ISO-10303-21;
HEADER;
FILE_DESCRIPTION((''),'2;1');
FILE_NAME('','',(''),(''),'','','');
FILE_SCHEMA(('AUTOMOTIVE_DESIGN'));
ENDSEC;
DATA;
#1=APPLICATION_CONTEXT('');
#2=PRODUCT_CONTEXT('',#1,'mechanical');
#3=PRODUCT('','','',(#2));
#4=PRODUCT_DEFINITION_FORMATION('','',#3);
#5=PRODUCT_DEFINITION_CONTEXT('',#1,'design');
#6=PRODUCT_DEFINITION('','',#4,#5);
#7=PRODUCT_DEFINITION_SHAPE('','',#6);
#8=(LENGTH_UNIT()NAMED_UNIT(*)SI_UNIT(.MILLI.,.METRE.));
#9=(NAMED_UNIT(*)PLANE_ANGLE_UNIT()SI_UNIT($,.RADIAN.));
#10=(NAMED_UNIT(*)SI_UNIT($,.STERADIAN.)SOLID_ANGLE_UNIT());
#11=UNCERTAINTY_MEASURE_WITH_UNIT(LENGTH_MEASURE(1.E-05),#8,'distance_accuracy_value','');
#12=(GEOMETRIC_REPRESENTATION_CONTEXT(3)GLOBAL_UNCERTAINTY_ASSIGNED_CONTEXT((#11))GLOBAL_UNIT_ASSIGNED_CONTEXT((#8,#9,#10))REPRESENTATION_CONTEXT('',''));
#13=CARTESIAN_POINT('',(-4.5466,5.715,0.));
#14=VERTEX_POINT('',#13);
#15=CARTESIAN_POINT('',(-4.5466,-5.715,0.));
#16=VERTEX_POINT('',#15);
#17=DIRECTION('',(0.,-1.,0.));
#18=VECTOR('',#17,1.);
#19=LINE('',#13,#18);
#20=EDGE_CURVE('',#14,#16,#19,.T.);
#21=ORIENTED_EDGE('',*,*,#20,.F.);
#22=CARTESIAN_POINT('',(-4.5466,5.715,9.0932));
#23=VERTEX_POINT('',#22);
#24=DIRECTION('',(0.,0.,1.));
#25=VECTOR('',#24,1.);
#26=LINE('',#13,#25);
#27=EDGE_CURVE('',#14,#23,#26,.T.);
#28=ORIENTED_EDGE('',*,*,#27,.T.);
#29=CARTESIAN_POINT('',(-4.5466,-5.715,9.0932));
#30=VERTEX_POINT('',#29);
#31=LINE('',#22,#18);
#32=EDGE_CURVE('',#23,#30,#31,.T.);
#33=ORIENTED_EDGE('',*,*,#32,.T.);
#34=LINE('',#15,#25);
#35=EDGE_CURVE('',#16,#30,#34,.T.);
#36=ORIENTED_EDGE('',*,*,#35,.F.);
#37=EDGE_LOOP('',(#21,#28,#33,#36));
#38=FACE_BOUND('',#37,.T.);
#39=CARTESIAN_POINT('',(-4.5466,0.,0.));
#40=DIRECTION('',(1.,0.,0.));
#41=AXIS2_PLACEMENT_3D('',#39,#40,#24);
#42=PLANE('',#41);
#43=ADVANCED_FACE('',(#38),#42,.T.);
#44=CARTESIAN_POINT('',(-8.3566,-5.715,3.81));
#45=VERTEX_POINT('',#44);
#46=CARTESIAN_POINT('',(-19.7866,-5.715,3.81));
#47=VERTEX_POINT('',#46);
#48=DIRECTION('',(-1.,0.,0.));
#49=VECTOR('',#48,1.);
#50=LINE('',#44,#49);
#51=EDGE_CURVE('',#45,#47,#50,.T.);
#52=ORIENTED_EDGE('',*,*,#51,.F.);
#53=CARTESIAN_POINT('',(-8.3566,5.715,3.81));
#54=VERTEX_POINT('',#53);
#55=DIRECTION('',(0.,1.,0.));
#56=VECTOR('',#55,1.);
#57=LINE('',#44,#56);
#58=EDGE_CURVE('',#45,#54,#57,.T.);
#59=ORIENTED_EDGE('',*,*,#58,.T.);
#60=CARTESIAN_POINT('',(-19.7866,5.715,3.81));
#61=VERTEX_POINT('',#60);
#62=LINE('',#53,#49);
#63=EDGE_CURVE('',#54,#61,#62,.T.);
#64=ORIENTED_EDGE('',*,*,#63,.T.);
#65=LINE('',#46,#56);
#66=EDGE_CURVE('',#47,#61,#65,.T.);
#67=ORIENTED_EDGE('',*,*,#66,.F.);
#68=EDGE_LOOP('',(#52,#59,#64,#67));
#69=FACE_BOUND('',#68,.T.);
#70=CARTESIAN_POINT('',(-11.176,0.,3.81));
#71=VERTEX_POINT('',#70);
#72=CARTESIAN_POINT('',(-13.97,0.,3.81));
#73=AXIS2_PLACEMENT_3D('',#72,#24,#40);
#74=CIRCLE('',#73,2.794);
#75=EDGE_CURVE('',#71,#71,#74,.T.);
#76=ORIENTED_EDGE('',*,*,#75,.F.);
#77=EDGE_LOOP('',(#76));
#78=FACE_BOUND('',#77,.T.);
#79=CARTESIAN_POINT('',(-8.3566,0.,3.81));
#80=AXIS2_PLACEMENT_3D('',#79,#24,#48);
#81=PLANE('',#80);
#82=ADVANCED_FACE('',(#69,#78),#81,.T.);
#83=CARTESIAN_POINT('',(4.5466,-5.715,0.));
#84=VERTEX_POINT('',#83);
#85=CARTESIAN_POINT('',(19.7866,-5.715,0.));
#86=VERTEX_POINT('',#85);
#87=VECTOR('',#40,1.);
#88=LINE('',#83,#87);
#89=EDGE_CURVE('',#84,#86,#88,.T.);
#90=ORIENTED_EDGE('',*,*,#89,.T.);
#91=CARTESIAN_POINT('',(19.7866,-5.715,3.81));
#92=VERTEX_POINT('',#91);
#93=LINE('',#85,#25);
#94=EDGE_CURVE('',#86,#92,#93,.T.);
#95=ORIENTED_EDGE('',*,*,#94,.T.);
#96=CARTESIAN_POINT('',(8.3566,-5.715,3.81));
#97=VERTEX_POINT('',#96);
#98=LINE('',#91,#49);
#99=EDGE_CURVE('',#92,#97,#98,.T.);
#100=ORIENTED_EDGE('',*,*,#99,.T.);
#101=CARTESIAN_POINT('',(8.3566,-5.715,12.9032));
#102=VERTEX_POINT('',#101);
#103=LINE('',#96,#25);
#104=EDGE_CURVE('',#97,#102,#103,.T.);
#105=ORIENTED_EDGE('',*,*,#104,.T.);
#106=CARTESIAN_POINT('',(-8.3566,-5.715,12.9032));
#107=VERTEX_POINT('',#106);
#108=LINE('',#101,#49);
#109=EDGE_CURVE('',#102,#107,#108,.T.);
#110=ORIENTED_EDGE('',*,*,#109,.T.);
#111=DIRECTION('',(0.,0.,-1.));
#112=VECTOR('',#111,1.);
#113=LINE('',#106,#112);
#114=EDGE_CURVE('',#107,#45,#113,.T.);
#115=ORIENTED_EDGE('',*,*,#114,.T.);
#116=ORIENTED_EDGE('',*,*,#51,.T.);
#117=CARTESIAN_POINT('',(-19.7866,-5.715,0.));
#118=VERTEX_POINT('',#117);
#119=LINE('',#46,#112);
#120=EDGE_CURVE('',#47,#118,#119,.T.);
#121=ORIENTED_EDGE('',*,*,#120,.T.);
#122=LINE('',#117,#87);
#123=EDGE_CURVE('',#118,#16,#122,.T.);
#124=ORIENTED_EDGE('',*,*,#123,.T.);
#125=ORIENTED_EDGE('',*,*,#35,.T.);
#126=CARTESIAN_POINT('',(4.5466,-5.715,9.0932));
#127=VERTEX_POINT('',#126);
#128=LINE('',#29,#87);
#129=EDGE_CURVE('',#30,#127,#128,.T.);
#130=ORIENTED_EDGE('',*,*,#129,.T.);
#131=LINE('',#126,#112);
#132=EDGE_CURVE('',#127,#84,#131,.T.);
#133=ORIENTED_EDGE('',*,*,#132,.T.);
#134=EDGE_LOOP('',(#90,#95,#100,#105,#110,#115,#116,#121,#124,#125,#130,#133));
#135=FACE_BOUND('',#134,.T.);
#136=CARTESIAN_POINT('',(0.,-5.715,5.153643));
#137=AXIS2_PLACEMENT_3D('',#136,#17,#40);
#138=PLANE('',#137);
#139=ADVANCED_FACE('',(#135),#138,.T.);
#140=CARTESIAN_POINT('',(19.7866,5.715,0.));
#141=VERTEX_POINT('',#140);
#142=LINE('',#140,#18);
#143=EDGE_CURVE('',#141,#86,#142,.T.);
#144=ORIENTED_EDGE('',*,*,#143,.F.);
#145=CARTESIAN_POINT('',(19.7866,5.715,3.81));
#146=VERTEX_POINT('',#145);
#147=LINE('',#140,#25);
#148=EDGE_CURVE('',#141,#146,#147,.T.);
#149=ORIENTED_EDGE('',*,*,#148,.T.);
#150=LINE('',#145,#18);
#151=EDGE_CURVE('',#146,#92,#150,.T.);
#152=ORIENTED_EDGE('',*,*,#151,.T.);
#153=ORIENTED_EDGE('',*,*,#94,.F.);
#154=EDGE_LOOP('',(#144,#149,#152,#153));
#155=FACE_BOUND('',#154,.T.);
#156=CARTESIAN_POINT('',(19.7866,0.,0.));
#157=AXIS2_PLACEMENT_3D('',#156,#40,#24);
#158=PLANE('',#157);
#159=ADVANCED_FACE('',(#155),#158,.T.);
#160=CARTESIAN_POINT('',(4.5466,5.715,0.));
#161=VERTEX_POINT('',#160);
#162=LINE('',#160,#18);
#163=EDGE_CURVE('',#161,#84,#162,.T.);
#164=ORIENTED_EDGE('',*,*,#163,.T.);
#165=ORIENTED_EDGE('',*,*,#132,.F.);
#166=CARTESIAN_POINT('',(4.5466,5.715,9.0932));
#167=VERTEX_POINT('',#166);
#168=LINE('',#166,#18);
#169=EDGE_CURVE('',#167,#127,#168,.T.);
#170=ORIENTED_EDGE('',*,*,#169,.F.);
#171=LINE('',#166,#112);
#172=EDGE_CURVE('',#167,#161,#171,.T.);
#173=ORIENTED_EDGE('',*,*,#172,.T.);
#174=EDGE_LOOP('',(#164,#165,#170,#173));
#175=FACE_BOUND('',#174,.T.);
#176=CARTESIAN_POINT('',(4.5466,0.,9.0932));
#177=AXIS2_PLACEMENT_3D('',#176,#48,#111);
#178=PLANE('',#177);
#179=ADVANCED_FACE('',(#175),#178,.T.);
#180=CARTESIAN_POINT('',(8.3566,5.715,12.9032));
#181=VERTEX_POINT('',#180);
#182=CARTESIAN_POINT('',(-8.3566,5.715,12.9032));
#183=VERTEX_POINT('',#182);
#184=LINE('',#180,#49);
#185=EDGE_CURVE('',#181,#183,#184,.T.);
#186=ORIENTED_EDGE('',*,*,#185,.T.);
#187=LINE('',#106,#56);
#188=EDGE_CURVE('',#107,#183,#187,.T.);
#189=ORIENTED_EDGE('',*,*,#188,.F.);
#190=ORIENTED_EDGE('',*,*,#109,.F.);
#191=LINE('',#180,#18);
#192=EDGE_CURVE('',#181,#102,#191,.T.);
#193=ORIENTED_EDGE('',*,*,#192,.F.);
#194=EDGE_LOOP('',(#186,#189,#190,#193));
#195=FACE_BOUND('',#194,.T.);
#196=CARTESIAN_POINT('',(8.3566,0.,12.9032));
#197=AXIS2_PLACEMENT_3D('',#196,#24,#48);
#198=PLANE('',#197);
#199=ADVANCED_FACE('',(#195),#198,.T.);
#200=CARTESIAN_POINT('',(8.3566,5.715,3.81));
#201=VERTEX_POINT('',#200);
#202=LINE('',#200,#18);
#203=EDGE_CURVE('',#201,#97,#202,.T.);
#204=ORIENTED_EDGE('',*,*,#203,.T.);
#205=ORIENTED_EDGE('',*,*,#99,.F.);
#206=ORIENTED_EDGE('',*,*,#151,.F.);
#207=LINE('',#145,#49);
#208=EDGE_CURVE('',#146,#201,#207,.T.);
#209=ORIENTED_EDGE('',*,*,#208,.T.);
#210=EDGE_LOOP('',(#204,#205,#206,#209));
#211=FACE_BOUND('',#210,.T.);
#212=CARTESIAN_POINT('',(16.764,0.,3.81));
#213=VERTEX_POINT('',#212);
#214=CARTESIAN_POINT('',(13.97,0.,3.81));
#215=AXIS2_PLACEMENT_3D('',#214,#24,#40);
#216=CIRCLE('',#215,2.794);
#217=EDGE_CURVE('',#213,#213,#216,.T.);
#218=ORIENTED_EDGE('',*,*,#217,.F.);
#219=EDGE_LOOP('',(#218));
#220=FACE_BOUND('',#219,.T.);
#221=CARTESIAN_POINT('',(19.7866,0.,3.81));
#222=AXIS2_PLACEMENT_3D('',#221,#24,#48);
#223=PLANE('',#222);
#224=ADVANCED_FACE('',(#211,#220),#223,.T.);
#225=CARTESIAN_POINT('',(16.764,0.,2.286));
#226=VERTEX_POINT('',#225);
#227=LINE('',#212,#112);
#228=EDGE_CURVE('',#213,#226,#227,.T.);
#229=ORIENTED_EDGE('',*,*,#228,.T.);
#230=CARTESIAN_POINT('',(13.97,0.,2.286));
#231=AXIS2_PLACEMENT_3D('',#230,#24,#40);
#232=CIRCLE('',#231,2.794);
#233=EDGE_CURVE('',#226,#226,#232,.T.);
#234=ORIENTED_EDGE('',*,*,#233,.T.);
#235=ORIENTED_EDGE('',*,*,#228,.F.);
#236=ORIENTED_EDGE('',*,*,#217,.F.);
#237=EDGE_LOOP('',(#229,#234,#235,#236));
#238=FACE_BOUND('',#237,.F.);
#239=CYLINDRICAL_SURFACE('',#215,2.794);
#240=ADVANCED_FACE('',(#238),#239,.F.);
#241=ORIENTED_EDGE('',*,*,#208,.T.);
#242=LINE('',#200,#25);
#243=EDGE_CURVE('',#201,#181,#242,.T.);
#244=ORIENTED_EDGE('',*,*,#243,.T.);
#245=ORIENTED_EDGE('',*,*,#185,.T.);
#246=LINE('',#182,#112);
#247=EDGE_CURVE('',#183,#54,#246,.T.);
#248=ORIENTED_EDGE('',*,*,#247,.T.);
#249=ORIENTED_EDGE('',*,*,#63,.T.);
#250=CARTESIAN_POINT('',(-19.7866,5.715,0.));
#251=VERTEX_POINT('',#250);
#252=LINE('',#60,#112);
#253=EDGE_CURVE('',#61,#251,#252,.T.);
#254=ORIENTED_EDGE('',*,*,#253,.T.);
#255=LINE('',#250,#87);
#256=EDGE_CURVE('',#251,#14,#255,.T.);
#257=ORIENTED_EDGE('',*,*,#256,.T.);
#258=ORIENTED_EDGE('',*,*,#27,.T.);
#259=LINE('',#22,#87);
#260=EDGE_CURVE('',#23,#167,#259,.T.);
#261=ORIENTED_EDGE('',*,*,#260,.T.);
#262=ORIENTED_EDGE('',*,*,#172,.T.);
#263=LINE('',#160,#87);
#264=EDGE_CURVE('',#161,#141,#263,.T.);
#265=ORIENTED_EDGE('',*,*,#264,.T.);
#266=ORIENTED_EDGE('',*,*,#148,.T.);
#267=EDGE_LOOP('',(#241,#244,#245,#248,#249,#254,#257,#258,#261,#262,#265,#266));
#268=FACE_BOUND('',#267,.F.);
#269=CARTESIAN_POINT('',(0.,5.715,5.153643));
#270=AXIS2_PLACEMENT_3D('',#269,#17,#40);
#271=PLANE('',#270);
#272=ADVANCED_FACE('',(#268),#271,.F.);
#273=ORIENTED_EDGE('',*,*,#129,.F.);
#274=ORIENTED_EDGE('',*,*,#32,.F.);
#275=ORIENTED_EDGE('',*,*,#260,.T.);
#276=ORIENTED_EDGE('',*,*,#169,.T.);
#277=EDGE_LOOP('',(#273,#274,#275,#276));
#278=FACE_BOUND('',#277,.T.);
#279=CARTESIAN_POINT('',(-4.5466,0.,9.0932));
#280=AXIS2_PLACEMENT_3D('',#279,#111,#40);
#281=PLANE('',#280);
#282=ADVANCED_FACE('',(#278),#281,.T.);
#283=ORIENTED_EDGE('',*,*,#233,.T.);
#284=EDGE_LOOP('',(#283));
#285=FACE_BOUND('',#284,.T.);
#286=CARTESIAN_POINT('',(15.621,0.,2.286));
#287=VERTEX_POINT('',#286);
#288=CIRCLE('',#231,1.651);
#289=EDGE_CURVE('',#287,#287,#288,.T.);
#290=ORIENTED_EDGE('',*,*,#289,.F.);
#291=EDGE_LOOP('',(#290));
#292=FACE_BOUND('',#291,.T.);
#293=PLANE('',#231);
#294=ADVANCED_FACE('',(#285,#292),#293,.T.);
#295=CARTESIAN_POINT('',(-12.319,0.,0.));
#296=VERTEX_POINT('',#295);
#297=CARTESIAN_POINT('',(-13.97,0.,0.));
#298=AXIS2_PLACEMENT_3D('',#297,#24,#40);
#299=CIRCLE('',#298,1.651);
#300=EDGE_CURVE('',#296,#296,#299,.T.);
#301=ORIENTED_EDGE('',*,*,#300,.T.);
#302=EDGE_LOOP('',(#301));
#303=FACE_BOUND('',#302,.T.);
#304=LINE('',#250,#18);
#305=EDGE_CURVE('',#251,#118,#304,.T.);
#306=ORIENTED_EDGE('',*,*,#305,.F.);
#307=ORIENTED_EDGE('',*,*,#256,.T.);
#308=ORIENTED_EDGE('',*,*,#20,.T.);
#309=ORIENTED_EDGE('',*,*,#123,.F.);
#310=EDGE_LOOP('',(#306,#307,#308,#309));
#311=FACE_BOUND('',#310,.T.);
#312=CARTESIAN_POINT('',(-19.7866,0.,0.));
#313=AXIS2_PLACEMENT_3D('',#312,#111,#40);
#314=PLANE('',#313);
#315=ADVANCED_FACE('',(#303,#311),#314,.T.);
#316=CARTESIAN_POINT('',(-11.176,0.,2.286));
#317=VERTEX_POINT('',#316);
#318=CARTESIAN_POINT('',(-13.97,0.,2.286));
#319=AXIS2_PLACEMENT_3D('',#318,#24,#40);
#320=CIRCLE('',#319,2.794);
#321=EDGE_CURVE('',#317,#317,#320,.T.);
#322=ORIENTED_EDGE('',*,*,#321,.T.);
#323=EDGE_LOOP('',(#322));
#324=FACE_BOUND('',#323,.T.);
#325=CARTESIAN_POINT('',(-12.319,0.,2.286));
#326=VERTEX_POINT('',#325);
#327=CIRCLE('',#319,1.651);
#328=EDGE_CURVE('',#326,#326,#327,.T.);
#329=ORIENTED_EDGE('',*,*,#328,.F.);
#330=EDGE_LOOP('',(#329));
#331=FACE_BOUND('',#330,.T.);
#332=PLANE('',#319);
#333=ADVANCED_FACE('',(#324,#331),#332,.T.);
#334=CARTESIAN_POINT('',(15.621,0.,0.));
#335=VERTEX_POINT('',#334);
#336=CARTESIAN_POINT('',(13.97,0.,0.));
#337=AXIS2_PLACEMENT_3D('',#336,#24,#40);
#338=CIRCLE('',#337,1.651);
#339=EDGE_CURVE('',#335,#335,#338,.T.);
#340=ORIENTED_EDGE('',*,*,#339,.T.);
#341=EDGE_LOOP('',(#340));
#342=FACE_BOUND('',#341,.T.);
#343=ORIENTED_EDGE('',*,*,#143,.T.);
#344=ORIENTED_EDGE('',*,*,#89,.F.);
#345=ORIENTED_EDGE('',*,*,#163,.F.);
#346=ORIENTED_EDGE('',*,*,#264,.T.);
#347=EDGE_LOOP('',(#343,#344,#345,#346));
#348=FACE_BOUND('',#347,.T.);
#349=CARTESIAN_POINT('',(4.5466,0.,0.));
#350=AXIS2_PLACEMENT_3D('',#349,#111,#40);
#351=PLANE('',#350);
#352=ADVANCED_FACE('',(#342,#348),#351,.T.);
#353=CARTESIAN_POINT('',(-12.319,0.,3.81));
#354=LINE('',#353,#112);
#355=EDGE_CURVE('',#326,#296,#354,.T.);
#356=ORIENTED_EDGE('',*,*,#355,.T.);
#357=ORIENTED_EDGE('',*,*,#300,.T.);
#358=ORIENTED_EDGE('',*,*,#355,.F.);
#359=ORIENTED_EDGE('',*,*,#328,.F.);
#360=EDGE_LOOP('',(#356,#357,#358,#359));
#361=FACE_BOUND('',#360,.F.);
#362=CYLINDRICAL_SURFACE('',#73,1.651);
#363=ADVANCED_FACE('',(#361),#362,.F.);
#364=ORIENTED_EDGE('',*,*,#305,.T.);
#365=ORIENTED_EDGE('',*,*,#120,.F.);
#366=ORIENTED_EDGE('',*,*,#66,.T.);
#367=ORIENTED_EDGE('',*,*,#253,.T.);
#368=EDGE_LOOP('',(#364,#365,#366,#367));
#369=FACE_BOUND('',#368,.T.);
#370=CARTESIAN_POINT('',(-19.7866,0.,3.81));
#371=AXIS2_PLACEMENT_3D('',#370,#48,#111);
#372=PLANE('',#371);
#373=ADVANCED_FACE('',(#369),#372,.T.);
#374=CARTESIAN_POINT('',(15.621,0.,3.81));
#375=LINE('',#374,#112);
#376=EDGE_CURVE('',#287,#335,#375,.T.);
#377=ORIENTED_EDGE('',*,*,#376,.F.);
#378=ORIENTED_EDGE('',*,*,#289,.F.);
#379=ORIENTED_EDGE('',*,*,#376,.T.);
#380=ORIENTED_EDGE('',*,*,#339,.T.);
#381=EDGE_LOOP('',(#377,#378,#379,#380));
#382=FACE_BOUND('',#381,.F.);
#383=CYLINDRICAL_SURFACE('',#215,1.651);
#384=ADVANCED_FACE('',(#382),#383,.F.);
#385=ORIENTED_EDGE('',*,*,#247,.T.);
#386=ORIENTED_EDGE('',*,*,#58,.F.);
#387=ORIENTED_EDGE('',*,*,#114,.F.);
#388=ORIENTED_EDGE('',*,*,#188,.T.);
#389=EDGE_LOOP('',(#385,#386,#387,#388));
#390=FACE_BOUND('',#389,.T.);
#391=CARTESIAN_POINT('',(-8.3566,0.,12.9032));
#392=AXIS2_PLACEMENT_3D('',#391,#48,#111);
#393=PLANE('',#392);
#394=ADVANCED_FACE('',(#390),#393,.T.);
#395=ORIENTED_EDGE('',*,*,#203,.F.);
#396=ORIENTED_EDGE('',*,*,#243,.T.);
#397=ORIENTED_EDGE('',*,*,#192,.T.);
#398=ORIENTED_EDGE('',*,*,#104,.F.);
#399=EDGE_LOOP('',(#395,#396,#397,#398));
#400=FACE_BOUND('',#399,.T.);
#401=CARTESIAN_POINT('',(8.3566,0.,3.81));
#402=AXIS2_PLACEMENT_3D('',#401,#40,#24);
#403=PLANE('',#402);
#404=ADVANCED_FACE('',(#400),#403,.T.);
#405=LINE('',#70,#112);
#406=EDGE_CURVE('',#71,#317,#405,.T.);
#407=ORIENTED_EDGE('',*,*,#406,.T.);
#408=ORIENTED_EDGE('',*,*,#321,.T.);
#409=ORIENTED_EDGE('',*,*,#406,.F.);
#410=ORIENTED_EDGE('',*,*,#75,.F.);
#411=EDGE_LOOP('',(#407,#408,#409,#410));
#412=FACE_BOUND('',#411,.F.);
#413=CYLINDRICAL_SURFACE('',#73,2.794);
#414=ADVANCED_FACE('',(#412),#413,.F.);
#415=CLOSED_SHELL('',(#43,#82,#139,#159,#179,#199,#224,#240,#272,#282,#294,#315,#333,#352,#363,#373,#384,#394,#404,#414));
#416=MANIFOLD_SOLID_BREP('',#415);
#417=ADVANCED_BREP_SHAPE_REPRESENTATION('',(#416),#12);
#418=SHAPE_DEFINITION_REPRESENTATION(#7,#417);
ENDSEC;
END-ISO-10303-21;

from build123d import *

# Parameters (mm, degrees)
F1_DEPTH = 5.715
F2_R     = 1.651
F3_DEPTH = 3.811
F2_R_2   = 2.794
F4_DEPTH = 1.524


with BuildPart() as f1:
    # F0 (on Front) → F1 (new body, symmetric)
    with BuildSketch(Plane.XZ):
        Polygon((-19.7866, 3.81), (-19.7866, 0), (-4.5466, 0), (-4.5466, 9.0932), (4.5466, 9.0932), (4.5466, 0), (19.7866, 0), (19.7866, 3.81), (8.3566, 3.81), (8.3566, 12.9032), (-8.3566, 12.9032), (-8.3566, 3.81), align=None)
    extrude(amount=F1_DEPTH, both=True)

    # F2 (on face) → F3 (cut, through all)
    with BuildSketch(Plane.XY.offset(3.81)):
        with Locations((-13.97, 0)):
            Circle(F2_R)
        with Locations((13.97, 0)):
            Circle(F2_R)
    extrude(amount=-F3_DEPTH, mode=Mode.SUBTRACT)

    # F2 (on face) → F4 (cut)
    with BuildSketch(Plane.XY.offset(3.81)):
        with Locations((13.97, 0)):
            Circle(F2_R_2)
        with Locations((13.97, 0)):
            Circle(F2_R, mode=Mode.SUBTRACT)
        with Locations((-13.97, 0)):
            Circle(F2_R_2)
        with Locations((-13.97, 0)):
            Circle(F2_R, mode=Mode.SUBTRACT)
    extrude(amount=-F4_DEPTH, mode=Mode.SUBTRACT)


solid = f1.part
